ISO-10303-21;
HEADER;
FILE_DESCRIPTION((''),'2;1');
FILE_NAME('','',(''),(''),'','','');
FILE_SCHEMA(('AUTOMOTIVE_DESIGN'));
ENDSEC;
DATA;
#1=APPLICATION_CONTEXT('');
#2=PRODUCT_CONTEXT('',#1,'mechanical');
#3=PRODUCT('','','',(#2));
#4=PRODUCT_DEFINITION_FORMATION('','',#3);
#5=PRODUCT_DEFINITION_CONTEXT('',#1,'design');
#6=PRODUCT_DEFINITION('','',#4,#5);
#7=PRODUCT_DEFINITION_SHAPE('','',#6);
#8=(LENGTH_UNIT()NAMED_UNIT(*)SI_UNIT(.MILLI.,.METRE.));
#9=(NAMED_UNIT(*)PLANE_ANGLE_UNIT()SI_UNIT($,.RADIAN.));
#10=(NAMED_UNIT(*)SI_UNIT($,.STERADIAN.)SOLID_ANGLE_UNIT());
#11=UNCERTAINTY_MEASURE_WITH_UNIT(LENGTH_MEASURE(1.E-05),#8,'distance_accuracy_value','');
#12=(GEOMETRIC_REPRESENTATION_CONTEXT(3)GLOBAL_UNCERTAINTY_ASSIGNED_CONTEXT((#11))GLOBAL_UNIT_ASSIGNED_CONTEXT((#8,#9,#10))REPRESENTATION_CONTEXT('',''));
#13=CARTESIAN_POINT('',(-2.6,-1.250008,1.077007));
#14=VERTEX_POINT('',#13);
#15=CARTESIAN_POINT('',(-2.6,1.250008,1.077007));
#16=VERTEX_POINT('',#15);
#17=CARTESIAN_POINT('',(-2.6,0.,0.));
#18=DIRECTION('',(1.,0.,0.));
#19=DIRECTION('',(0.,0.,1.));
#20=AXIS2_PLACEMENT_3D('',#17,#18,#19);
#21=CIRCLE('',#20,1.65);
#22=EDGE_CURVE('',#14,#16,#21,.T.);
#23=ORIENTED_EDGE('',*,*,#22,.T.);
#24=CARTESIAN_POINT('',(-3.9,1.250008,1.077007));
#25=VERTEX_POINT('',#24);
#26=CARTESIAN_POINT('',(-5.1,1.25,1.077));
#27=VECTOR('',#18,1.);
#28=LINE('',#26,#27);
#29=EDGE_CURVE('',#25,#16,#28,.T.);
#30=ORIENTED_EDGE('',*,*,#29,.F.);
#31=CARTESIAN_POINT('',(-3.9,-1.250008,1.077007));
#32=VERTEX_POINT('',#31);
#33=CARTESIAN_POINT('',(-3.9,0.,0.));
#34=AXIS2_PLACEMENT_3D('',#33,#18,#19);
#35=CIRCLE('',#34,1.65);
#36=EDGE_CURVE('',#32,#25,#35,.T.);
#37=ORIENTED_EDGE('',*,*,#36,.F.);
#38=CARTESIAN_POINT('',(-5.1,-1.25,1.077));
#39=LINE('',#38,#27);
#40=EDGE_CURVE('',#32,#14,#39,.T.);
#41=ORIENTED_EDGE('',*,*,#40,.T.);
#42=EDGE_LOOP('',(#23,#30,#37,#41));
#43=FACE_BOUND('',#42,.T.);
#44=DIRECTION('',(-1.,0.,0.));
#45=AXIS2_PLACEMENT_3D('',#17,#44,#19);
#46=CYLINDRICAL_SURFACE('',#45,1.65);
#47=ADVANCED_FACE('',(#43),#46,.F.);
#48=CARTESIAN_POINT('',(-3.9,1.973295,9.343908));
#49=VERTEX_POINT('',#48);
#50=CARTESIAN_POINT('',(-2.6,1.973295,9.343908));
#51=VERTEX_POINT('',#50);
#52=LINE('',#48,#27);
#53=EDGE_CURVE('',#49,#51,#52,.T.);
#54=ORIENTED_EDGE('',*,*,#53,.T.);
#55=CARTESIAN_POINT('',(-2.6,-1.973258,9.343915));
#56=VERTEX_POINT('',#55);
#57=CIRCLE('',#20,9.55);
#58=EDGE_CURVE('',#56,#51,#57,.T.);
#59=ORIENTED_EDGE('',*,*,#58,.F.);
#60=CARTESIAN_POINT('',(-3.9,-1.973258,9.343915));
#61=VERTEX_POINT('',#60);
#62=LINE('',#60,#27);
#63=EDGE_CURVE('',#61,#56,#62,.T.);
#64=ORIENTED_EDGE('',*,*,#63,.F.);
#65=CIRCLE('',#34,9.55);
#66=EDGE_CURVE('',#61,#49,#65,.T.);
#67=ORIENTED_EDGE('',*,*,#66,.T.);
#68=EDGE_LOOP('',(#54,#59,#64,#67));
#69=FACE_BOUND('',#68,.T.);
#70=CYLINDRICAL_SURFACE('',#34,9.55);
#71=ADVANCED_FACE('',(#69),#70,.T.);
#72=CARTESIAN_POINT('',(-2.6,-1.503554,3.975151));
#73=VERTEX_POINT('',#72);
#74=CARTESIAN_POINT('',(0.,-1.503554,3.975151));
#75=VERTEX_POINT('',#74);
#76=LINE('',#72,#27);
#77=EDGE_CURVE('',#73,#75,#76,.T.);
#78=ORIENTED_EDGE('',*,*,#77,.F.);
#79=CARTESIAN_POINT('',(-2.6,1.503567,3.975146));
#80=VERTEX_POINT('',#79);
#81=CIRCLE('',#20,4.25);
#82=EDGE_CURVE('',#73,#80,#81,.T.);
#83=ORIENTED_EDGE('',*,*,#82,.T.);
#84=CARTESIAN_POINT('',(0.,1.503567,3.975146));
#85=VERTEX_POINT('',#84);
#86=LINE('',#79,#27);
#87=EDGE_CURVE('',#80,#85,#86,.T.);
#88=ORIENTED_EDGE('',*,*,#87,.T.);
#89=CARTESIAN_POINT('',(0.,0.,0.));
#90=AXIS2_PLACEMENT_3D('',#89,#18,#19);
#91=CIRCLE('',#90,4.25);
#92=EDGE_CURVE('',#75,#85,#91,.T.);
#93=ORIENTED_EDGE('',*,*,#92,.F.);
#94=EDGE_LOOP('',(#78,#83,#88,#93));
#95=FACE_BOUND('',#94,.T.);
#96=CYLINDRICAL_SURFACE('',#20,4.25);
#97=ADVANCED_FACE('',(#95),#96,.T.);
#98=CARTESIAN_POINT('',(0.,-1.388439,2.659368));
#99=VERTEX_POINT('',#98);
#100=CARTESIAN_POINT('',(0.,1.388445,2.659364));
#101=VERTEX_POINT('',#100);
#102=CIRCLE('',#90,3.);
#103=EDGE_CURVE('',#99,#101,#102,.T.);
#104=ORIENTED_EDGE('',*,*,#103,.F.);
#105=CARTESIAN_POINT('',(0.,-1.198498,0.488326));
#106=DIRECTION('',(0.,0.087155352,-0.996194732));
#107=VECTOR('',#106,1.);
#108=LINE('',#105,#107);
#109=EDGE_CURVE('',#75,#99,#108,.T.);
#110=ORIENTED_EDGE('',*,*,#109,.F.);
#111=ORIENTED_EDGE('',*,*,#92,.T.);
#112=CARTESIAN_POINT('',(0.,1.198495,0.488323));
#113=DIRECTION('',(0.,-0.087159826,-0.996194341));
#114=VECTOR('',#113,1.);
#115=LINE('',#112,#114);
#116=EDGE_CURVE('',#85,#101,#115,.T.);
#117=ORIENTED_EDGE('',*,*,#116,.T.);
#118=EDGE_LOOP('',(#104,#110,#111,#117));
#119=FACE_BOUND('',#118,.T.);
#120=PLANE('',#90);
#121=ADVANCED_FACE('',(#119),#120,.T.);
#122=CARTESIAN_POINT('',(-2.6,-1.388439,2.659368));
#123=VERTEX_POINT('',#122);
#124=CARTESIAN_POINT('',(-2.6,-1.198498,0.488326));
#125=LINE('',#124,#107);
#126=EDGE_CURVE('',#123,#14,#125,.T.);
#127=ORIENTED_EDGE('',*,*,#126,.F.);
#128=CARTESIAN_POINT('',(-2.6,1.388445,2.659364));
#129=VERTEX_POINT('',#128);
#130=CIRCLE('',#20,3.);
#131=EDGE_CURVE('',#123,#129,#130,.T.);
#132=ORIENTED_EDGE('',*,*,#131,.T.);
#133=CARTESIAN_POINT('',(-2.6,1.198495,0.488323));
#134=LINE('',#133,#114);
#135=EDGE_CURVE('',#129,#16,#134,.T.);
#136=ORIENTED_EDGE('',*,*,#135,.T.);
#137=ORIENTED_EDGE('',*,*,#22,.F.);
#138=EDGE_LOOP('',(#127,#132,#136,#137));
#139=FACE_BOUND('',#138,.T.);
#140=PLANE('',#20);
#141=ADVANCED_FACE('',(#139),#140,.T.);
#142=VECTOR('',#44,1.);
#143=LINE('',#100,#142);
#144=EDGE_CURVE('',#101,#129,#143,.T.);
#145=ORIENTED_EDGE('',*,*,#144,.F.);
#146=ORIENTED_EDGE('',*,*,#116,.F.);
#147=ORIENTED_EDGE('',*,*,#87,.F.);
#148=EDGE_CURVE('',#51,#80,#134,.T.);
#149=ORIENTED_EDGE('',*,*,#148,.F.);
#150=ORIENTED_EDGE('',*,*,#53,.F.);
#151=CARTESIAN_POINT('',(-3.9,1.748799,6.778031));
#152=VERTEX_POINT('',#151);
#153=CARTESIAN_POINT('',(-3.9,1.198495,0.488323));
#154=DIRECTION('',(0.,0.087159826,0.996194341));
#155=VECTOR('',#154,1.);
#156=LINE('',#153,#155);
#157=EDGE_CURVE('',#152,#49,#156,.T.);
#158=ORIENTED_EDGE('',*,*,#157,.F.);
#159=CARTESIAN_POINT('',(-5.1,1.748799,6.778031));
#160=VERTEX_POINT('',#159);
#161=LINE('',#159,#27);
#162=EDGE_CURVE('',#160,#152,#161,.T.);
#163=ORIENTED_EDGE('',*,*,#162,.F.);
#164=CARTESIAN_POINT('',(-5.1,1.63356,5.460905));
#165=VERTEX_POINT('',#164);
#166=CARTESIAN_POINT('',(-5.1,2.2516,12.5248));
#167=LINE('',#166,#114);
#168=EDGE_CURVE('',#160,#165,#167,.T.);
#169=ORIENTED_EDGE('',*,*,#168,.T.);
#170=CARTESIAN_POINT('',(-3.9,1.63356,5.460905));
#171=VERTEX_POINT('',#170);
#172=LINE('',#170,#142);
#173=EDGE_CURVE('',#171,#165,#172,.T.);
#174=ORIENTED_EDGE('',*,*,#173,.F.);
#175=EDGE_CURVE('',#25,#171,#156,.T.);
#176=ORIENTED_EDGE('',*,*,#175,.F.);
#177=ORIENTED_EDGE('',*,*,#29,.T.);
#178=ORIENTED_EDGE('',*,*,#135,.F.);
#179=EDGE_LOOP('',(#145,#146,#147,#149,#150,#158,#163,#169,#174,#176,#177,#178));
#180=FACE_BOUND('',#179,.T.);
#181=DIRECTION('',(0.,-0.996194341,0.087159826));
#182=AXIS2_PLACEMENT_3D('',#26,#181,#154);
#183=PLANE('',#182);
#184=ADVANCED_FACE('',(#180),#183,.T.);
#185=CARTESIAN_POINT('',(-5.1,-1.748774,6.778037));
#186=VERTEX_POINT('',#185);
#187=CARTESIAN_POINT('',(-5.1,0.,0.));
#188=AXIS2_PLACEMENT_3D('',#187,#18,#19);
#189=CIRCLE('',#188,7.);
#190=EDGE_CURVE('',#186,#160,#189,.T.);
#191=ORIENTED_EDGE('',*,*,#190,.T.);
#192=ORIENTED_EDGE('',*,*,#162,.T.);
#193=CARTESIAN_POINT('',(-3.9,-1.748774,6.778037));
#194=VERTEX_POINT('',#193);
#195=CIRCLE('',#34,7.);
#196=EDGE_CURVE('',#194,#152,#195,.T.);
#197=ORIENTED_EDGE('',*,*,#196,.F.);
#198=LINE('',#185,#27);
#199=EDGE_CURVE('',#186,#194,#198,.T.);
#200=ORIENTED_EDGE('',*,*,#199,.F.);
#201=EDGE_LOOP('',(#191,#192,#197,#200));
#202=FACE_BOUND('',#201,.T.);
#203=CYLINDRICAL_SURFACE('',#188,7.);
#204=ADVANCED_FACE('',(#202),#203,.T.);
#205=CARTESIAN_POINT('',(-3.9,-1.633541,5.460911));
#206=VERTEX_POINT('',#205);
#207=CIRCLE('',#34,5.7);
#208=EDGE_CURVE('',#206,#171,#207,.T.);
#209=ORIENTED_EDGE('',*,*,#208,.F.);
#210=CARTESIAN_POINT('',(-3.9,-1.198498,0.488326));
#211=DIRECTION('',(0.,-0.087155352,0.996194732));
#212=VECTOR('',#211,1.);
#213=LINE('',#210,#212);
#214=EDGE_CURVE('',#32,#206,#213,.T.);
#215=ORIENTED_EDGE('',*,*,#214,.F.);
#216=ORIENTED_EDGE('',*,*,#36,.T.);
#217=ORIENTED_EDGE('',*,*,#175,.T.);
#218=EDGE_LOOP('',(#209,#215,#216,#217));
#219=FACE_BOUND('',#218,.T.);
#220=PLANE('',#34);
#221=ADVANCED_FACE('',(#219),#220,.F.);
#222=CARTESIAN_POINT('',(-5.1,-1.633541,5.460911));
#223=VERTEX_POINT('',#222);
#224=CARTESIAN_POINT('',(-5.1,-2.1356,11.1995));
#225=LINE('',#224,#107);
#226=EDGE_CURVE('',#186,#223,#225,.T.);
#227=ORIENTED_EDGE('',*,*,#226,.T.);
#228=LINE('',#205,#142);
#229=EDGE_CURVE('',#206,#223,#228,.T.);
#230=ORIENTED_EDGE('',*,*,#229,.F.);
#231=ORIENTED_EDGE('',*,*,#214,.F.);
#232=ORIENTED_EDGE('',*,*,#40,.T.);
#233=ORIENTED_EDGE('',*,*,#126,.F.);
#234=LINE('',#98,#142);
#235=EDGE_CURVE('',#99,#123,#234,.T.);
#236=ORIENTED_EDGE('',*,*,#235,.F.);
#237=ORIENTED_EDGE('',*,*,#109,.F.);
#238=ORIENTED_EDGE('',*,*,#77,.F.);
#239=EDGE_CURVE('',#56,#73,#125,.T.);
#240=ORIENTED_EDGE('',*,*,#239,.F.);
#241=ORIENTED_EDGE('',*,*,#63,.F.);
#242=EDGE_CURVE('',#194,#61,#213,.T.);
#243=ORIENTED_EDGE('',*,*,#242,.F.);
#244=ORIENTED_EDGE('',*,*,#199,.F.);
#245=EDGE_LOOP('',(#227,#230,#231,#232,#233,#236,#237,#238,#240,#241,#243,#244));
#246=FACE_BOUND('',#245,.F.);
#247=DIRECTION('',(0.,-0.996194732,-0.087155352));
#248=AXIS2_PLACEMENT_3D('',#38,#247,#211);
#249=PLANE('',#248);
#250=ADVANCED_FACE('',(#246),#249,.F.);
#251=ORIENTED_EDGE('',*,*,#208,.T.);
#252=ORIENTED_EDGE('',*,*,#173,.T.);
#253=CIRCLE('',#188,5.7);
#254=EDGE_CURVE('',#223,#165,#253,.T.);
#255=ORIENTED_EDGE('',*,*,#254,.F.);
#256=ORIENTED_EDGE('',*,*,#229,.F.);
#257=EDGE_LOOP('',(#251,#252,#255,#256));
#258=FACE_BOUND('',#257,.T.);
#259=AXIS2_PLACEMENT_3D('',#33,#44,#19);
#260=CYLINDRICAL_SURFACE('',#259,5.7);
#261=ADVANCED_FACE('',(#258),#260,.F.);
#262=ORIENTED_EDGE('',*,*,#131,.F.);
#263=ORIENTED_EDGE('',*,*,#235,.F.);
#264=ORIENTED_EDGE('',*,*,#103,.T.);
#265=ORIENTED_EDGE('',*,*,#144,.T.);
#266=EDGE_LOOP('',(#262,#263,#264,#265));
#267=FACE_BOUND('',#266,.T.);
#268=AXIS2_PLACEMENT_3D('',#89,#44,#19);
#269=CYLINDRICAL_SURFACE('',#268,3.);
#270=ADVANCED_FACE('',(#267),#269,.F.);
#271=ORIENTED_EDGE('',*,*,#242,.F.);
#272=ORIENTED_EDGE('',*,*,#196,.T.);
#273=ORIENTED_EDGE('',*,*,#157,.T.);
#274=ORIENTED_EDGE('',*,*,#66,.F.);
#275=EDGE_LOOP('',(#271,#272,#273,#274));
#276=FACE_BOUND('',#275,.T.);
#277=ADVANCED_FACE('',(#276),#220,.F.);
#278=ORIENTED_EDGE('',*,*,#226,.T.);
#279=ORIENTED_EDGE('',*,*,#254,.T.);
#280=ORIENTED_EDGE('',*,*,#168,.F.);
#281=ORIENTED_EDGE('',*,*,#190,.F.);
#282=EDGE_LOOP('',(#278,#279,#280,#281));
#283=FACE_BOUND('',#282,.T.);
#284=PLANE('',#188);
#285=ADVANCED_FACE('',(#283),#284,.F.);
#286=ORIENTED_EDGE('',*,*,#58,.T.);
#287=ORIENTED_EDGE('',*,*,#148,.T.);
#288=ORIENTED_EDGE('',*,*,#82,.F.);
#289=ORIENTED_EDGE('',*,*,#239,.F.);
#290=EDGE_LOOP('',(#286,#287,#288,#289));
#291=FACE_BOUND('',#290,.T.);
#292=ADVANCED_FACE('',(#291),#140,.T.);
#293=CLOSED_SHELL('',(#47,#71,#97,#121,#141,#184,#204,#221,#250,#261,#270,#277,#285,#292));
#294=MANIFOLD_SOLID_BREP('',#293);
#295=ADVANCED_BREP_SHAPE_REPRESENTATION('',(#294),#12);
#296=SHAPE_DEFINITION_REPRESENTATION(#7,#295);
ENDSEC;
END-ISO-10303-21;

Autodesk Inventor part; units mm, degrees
ref_plane "YZ Plane" through (0, 0, 0) normal (1, 0, 0) x (0, 1, 0)
ref_plane "XZ Plane" through (0, 0, 0) normal (0, 1, 0) x (-1, 0, 0)
ref_plane "XY Plane" through (0, 0, 0) normal (0, 0, 1) x (1, 0, 0)
sketch "Sketch1" plane through (0, 0, 0) normal (0, 1, 0) x (-1, 0, 0)
  line L0 (5.1, 7) -> (3.9, 7)
  line L1 (3.9, 7) -> (3.9, 9.55)
  line L2 (3.9, 9.55) -> (2.6, 9.55)
  line L3 (2.6, 9.55) -> (2.6, 4.25)
  line L4 (2.6, 4.25) -> (0, 4.25)
  line L5 (0, 4.25) -> (0, 3)
  line L6 (0, 3) -> (2.6, 3)
  line L7 (2.6, 3) -> (2.6, 1.65)
  line L8 (2.6, 1.65) -> (3.9, 1.65)
  line L9 (3.9, 1.65) -> (3.9, 5.7)
  line L10 (3.9, 5.7) -> (5.1, 5.7)
  line L11 (5.1, 5.7) -> (5.1, 7)
  line L12 (0, -1.91) -> (0, 11.46) projected
  line L13 (6.12, 0) -> (-1.02, 0) projected
  point P0 (0, 0)
  dimension "d0" = 5.1
  dimension "d1" = 4.25
  dimension "d2" = 3
  dimension "d3" = 1.65
  dimension "d4" = 1.3
  dimension "d5" = 2.5
  dimension "d6" = 0
  dimension "d7" = 9.55
  dimension "d8" = 7
  dimension "d9" = 5.7
revolve "Revolution2" add sketch "Sketch1" angle 360 about axis through (-10, 0, 0) along (1, 0, 0)
sketch "Sketch2" plane through (-5.1, 0, 0) normal (-1, 0, 0) x (0, 0, 1)
  circle A0 centre (0, 0) radius 7 projected
  circle A1 centre (0, 0) radius 1.65 projected
  line L0 (1.077, -1.25) -> (11.1995, -2.1356)
  line L1 (1.077, -1.25) -> (11.2382, -1.25) construction
  line L2 (1.077, 1.25) -> (12.5248, 2.2516)
  line L3 (1.077, 1.25) -> (12.5685, 1.25) construction
  line L4 (11.1995, -2.1356) -> (12.5248, 2.2516)
  dimension "d12" = 5
  dimension "d13" = 5
  dimension "d14" = 2.5
  dimension "d15" = 1.25
extrude "Extrusion1" cut sketch "Sketch2" against normal through all contours A0 L0 A1 L2 | A0 L2 L4 L0 picked at (5.1628, 0.7044)
equation "\"d15\" = 0.5 * d14"
properties part number "500-105" material "Steel"
